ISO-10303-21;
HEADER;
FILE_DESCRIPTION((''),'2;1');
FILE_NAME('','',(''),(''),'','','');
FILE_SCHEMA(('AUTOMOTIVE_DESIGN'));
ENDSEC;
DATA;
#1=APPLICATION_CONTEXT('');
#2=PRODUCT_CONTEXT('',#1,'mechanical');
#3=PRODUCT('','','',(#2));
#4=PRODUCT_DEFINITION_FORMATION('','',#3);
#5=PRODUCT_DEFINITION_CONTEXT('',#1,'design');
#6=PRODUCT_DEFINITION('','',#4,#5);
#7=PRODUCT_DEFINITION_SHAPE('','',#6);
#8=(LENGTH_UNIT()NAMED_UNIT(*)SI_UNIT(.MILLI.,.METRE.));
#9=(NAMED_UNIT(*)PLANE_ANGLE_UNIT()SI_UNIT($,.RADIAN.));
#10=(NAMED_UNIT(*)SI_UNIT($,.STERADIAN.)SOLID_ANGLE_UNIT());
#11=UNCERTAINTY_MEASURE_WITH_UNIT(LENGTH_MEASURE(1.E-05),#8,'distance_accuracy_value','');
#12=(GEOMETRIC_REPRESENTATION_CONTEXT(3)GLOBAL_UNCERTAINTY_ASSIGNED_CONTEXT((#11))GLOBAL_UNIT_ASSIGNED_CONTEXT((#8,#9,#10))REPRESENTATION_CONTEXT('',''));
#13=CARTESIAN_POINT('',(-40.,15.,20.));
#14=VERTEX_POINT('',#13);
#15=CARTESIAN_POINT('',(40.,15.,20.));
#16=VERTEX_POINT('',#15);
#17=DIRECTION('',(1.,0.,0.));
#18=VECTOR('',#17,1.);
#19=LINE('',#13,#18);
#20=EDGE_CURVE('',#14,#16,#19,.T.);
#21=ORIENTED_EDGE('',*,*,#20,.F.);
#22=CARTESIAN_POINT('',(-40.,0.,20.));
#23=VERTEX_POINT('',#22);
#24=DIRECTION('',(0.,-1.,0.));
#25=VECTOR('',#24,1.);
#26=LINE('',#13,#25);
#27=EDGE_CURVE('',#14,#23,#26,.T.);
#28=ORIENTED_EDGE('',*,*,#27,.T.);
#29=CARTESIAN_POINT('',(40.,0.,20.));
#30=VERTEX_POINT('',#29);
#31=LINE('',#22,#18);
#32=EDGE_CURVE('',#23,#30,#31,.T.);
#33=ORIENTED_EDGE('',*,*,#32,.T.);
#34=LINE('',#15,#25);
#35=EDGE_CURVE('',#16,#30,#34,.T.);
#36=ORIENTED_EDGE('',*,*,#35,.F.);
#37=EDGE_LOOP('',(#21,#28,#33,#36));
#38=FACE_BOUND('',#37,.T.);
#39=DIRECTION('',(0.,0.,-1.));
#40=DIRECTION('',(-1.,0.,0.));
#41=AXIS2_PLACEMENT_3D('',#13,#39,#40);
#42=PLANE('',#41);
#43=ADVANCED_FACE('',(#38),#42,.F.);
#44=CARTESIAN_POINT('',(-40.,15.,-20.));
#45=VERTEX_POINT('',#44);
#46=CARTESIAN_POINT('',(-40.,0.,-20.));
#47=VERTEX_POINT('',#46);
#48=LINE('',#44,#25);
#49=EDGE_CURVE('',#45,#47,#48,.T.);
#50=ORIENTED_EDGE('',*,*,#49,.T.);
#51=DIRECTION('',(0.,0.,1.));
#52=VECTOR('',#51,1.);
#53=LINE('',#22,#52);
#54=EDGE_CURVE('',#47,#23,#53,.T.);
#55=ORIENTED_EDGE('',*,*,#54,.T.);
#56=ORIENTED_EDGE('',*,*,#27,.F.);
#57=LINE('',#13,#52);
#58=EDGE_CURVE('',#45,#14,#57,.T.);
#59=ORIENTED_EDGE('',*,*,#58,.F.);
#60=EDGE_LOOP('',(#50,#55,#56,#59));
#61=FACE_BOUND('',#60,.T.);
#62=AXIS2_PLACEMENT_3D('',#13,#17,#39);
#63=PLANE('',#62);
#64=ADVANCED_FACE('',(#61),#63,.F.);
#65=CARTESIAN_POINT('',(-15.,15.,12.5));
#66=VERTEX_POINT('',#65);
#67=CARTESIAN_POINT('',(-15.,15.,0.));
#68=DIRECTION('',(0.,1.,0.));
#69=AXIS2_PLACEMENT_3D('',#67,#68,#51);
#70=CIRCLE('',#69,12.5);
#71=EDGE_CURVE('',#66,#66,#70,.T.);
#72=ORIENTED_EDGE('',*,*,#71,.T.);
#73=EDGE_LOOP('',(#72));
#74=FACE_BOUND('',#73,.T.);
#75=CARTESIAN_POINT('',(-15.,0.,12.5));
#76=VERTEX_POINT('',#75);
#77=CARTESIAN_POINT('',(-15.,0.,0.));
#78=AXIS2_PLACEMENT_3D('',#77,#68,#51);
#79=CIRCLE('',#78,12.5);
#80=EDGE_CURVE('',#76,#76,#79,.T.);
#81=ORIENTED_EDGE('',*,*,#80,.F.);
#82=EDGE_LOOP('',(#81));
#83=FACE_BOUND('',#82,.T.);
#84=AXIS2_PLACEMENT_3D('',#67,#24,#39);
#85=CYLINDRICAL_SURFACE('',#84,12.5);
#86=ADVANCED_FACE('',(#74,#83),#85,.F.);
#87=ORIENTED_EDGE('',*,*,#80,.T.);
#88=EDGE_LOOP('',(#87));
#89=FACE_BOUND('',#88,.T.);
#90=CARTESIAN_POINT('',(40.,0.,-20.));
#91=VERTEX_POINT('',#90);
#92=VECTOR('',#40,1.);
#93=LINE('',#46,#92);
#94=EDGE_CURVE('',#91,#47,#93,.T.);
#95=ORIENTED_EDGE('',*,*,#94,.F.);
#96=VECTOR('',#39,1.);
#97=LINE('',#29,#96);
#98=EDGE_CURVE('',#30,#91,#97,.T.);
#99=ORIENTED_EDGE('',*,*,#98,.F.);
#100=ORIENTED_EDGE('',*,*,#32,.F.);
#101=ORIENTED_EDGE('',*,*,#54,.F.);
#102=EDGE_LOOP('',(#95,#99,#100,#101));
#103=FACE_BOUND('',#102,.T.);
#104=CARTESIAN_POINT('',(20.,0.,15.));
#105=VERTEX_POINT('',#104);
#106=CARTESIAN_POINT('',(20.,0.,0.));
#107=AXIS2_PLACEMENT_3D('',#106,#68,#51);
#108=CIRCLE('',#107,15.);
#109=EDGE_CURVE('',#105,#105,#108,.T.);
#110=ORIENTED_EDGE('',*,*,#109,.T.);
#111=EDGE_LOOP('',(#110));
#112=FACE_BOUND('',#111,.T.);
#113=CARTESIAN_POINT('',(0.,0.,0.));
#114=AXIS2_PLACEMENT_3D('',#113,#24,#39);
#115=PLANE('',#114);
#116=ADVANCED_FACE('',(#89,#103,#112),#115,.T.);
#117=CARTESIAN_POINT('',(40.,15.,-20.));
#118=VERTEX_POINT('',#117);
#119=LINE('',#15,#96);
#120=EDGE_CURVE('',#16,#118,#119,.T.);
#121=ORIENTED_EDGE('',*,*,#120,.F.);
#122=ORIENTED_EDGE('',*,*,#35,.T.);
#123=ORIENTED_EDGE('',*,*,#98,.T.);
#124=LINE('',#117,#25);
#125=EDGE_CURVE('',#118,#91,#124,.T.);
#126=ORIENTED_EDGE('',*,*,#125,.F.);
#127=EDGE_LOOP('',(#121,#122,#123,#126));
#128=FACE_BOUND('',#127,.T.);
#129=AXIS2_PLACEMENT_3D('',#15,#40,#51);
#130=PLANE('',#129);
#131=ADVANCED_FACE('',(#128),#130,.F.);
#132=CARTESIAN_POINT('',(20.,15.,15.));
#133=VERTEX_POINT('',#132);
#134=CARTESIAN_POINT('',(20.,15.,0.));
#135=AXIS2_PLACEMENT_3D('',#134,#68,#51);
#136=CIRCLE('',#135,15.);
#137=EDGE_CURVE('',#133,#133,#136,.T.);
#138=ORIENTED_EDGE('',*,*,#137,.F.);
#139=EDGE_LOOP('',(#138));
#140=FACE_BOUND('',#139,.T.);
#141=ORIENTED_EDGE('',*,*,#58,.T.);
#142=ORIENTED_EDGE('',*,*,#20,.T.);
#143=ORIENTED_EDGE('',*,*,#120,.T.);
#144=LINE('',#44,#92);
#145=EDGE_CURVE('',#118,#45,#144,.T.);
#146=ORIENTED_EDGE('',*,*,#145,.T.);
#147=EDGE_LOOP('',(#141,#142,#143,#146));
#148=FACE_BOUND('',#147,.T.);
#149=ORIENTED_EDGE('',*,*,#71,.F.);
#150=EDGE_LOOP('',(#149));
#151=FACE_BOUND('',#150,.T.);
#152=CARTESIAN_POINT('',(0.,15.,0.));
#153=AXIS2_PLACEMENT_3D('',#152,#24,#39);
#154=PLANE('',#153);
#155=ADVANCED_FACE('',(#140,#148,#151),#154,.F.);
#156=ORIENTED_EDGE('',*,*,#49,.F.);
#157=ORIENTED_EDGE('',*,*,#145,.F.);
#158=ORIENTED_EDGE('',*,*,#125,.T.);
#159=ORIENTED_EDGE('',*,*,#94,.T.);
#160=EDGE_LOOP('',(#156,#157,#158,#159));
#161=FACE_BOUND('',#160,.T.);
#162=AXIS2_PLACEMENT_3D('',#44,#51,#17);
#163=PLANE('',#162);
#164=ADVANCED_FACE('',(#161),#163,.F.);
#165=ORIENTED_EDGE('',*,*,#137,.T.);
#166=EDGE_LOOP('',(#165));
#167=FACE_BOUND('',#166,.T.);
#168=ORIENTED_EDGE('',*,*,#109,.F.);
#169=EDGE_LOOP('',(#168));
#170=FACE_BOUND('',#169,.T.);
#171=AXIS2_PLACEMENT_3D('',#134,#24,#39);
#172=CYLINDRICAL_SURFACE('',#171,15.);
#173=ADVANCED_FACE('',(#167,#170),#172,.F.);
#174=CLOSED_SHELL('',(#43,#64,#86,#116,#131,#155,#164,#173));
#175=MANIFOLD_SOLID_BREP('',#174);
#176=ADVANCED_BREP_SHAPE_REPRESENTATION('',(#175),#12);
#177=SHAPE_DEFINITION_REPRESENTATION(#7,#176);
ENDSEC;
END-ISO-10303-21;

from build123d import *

# Parameters (mm, degrees)
SKETCH2_W           = 80
SKETCH2_H           = 40
SKETCH2_R           = 12.5
SKETCH2_R_2         = 15
BOSS_EXTRUDE1_DEPTH = 15


with BuildPart() as part:
    # Sketch2 → Boss-Extrude1 (new body)
    with BuildSketch(Plane(origin=(0, 0, 0), x_dir=(1, 0, 0), z_dir=(0, 1, 0))):
        Rectangle(SKETCH2_W, SKETCH2_H)
        with Locations(Location((-15, 0, 0), (0, 0, 270))):
            Circle(SKETCH2_R, mode=Mode.SUBTRACT)
        with Locations(Location((20, 0, 0), (0, 0, 270))):
            Circle(SKETCH2_R_2, mode=Mode.SUBTRACT)
    extrude(amount=BOSS_EXTRUDE1_DEPTH)


solid = part.part
